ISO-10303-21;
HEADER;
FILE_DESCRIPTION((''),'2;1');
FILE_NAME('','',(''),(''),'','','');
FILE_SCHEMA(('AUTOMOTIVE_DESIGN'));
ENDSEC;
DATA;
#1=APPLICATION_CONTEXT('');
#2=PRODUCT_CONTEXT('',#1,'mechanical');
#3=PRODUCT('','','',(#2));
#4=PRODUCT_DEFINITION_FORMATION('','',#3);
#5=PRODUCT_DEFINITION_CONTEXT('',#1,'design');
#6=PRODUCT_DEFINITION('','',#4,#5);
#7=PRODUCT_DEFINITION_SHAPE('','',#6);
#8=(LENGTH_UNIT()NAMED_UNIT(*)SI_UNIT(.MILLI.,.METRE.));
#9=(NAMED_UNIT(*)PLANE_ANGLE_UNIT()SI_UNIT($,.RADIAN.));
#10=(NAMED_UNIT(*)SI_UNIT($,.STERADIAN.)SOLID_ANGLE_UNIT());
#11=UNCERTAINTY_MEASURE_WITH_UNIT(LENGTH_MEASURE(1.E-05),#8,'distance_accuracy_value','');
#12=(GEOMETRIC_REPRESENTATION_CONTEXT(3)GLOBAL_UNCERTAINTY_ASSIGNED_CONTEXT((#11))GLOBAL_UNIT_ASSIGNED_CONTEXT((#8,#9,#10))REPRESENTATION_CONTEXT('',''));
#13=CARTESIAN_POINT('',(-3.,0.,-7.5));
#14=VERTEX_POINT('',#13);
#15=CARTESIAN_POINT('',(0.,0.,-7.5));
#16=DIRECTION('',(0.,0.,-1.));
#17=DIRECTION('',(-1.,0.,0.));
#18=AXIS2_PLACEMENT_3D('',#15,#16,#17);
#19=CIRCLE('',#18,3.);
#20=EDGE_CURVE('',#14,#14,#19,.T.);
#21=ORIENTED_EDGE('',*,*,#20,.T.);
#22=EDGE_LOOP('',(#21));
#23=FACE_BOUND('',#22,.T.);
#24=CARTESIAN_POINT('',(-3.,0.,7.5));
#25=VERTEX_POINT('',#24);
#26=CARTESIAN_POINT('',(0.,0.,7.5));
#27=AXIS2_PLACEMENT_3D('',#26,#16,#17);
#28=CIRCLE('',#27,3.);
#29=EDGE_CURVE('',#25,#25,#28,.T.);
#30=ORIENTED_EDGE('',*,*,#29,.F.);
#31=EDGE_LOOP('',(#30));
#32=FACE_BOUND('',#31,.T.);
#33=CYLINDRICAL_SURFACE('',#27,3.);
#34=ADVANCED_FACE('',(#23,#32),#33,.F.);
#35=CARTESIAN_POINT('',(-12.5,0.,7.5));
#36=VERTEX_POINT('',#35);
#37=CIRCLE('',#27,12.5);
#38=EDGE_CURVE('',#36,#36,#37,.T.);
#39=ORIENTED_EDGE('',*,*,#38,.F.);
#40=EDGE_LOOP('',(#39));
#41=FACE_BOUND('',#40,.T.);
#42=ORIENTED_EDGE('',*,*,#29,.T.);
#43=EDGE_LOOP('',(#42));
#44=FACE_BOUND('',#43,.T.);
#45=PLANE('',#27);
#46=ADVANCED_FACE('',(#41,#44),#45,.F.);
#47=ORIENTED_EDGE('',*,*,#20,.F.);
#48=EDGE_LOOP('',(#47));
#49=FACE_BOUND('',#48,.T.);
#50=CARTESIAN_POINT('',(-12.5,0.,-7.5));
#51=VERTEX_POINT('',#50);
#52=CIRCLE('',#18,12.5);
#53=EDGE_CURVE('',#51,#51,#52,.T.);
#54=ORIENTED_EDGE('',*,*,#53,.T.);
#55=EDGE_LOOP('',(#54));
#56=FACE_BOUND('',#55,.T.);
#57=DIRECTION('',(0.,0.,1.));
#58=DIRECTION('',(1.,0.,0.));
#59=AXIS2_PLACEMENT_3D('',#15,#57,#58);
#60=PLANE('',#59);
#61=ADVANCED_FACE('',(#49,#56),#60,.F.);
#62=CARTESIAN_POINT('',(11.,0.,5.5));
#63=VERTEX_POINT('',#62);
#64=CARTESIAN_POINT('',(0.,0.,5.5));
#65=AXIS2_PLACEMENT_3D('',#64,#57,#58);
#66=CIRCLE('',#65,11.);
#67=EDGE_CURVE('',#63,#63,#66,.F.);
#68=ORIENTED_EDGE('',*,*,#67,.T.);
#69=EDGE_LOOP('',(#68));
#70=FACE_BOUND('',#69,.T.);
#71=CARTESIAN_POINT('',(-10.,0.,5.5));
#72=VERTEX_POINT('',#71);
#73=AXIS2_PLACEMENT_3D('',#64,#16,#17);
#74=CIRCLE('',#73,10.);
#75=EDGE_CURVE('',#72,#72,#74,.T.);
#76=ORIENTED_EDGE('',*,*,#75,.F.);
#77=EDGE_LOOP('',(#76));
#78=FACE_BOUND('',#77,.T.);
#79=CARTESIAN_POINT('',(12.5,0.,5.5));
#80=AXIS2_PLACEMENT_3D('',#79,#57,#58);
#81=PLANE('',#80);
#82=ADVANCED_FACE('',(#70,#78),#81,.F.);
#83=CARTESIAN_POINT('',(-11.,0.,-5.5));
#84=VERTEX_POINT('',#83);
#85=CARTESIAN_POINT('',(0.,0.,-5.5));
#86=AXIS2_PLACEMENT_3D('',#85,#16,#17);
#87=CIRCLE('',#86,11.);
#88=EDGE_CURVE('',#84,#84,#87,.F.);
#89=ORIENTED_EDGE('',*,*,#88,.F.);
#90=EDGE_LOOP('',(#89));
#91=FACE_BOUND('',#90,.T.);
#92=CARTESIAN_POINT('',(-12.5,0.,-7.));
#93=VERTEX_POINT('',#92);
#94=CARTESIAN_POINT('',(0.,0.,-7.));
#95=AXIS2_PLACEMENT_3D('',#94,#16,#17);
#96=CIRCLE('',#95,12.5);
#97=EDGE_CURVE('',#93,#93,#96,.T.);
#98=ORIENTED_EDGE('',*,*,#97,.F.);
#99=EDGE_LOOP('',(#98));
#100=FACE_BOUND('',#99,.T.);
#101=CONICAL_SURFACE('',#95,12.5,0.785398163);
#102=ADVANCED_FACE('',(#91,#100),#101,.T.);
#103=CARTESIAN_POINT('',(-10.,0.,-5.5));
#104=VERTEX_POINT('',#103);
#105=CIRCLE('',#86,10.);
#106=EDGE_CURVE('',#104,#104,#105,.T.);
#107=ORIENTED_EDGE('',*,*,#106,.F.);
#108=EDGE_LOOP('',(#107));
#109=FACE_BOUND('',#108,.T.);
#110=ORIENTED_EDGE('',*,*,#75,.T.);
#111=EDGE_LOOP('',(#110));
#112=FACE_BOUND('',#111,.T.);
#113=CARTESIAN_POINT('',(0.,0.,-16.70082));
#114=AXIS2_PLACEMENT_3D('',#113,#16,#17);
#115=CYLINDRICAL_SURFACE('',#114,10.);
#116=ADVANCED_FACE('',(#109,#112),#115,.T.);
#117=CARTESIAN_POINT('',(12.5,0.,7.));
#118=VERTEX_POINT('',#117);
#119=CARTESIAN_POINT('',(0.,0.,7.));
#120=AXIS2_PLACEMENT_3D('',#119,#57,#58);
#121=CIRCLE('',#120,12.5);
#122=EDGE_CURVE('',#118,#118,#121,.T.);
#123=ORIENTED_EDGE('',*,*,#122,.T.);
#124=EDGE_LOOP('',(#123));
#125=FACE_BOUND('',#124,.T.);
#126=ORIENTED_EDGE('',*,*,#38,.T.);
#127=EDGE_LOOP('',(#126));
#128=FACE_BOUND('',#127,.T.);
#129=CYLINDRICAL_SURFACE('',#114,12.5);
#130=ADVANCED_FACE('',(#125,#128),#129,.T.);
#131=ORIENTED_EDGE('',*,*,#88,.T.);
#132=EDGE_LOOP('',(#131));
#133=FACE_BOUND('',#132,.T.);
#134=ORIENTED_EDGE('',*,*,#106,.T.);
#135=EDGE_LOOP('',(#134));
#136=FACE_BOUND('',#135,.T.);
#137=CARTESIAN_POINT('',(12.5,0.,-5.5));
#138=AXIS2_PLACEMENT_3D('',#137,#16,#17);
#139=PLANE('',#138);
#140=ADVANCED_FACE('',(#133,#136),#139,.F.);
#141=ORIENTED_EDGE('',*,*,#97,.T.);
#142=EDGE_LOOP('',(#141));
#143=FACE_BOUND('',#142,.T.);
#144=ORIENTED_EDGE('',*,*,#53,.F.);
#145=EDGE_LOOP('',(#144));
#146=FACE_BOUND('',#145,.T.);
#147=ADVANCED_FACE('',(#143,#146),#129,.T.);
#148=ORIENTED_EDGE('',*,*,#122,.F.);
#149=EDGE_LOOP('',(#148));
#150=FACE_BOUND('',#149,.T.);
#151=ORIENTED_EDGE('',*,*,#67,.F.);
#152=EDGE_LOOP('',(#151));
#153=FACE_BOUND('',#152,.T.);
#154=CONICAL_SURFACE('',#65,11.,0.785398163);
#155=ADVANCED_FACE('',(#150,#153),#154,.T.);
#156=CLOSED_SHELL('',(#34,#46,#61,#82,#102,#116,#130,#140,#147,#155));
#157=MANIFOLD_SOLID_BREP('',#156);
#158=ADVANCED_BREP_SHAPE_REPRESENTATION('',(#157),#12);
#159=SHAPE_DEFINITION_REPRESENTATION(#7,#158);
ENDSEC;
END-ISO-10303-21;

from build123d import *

# Parameters (mm, degrees)
SKETCH2_R          = 3
CUT_EXTRUDE1_DEPTH = 24.184046239
CHAMFER1_SIZE      = 1.5


with BuildPart() as part:
    # Sketch1 → Revolve1 (revolve)
    with BuildSketch(Plane(origin=(0, 0, 0), x_dir=(1, 0, 0), z_dir=(0, 1, 0)), mode=Mode.PRIVATE) as revolve1_sk:
        Polygon((0, 7.5), (12.5, 7.5), (12.5, 5.5), (10, 5.5), (10, -5.5), (12.5, -5.5), (12.5, -7.5), (0, -7.5), align=None)
    revolve(revolve1_sk.sketch.rotate(Axis((0, 0, -16.700819672), (0, 0, 1)), 180), axis=Axis((0, 0, -16.700819672), (0, 0, 1)))

    # Sketch2 → Cut-Extrude1 (cut, through all)
    with BuildSketch(Plane(origin=(0, 0, -7.5), x_dir=(-1, 0, 0), z_dir=(0, 0, -1))):
        Circle(SKETCH2_R)
    extrude(amount=-CUT_EXTRUDE1_DEPTH, mode=Mode.SUBTRACT)

    # Chamfer1
    chamfer1_edges = [part.edges().sort_by_distance(p)[0] for p in [
        (12.5, 0, -5.5),
        (12.5, 0, 5.5),
    ]]
    chamfer(chamfer1_edges, length=CHAMFER1_SIZE)


solid = part.part
